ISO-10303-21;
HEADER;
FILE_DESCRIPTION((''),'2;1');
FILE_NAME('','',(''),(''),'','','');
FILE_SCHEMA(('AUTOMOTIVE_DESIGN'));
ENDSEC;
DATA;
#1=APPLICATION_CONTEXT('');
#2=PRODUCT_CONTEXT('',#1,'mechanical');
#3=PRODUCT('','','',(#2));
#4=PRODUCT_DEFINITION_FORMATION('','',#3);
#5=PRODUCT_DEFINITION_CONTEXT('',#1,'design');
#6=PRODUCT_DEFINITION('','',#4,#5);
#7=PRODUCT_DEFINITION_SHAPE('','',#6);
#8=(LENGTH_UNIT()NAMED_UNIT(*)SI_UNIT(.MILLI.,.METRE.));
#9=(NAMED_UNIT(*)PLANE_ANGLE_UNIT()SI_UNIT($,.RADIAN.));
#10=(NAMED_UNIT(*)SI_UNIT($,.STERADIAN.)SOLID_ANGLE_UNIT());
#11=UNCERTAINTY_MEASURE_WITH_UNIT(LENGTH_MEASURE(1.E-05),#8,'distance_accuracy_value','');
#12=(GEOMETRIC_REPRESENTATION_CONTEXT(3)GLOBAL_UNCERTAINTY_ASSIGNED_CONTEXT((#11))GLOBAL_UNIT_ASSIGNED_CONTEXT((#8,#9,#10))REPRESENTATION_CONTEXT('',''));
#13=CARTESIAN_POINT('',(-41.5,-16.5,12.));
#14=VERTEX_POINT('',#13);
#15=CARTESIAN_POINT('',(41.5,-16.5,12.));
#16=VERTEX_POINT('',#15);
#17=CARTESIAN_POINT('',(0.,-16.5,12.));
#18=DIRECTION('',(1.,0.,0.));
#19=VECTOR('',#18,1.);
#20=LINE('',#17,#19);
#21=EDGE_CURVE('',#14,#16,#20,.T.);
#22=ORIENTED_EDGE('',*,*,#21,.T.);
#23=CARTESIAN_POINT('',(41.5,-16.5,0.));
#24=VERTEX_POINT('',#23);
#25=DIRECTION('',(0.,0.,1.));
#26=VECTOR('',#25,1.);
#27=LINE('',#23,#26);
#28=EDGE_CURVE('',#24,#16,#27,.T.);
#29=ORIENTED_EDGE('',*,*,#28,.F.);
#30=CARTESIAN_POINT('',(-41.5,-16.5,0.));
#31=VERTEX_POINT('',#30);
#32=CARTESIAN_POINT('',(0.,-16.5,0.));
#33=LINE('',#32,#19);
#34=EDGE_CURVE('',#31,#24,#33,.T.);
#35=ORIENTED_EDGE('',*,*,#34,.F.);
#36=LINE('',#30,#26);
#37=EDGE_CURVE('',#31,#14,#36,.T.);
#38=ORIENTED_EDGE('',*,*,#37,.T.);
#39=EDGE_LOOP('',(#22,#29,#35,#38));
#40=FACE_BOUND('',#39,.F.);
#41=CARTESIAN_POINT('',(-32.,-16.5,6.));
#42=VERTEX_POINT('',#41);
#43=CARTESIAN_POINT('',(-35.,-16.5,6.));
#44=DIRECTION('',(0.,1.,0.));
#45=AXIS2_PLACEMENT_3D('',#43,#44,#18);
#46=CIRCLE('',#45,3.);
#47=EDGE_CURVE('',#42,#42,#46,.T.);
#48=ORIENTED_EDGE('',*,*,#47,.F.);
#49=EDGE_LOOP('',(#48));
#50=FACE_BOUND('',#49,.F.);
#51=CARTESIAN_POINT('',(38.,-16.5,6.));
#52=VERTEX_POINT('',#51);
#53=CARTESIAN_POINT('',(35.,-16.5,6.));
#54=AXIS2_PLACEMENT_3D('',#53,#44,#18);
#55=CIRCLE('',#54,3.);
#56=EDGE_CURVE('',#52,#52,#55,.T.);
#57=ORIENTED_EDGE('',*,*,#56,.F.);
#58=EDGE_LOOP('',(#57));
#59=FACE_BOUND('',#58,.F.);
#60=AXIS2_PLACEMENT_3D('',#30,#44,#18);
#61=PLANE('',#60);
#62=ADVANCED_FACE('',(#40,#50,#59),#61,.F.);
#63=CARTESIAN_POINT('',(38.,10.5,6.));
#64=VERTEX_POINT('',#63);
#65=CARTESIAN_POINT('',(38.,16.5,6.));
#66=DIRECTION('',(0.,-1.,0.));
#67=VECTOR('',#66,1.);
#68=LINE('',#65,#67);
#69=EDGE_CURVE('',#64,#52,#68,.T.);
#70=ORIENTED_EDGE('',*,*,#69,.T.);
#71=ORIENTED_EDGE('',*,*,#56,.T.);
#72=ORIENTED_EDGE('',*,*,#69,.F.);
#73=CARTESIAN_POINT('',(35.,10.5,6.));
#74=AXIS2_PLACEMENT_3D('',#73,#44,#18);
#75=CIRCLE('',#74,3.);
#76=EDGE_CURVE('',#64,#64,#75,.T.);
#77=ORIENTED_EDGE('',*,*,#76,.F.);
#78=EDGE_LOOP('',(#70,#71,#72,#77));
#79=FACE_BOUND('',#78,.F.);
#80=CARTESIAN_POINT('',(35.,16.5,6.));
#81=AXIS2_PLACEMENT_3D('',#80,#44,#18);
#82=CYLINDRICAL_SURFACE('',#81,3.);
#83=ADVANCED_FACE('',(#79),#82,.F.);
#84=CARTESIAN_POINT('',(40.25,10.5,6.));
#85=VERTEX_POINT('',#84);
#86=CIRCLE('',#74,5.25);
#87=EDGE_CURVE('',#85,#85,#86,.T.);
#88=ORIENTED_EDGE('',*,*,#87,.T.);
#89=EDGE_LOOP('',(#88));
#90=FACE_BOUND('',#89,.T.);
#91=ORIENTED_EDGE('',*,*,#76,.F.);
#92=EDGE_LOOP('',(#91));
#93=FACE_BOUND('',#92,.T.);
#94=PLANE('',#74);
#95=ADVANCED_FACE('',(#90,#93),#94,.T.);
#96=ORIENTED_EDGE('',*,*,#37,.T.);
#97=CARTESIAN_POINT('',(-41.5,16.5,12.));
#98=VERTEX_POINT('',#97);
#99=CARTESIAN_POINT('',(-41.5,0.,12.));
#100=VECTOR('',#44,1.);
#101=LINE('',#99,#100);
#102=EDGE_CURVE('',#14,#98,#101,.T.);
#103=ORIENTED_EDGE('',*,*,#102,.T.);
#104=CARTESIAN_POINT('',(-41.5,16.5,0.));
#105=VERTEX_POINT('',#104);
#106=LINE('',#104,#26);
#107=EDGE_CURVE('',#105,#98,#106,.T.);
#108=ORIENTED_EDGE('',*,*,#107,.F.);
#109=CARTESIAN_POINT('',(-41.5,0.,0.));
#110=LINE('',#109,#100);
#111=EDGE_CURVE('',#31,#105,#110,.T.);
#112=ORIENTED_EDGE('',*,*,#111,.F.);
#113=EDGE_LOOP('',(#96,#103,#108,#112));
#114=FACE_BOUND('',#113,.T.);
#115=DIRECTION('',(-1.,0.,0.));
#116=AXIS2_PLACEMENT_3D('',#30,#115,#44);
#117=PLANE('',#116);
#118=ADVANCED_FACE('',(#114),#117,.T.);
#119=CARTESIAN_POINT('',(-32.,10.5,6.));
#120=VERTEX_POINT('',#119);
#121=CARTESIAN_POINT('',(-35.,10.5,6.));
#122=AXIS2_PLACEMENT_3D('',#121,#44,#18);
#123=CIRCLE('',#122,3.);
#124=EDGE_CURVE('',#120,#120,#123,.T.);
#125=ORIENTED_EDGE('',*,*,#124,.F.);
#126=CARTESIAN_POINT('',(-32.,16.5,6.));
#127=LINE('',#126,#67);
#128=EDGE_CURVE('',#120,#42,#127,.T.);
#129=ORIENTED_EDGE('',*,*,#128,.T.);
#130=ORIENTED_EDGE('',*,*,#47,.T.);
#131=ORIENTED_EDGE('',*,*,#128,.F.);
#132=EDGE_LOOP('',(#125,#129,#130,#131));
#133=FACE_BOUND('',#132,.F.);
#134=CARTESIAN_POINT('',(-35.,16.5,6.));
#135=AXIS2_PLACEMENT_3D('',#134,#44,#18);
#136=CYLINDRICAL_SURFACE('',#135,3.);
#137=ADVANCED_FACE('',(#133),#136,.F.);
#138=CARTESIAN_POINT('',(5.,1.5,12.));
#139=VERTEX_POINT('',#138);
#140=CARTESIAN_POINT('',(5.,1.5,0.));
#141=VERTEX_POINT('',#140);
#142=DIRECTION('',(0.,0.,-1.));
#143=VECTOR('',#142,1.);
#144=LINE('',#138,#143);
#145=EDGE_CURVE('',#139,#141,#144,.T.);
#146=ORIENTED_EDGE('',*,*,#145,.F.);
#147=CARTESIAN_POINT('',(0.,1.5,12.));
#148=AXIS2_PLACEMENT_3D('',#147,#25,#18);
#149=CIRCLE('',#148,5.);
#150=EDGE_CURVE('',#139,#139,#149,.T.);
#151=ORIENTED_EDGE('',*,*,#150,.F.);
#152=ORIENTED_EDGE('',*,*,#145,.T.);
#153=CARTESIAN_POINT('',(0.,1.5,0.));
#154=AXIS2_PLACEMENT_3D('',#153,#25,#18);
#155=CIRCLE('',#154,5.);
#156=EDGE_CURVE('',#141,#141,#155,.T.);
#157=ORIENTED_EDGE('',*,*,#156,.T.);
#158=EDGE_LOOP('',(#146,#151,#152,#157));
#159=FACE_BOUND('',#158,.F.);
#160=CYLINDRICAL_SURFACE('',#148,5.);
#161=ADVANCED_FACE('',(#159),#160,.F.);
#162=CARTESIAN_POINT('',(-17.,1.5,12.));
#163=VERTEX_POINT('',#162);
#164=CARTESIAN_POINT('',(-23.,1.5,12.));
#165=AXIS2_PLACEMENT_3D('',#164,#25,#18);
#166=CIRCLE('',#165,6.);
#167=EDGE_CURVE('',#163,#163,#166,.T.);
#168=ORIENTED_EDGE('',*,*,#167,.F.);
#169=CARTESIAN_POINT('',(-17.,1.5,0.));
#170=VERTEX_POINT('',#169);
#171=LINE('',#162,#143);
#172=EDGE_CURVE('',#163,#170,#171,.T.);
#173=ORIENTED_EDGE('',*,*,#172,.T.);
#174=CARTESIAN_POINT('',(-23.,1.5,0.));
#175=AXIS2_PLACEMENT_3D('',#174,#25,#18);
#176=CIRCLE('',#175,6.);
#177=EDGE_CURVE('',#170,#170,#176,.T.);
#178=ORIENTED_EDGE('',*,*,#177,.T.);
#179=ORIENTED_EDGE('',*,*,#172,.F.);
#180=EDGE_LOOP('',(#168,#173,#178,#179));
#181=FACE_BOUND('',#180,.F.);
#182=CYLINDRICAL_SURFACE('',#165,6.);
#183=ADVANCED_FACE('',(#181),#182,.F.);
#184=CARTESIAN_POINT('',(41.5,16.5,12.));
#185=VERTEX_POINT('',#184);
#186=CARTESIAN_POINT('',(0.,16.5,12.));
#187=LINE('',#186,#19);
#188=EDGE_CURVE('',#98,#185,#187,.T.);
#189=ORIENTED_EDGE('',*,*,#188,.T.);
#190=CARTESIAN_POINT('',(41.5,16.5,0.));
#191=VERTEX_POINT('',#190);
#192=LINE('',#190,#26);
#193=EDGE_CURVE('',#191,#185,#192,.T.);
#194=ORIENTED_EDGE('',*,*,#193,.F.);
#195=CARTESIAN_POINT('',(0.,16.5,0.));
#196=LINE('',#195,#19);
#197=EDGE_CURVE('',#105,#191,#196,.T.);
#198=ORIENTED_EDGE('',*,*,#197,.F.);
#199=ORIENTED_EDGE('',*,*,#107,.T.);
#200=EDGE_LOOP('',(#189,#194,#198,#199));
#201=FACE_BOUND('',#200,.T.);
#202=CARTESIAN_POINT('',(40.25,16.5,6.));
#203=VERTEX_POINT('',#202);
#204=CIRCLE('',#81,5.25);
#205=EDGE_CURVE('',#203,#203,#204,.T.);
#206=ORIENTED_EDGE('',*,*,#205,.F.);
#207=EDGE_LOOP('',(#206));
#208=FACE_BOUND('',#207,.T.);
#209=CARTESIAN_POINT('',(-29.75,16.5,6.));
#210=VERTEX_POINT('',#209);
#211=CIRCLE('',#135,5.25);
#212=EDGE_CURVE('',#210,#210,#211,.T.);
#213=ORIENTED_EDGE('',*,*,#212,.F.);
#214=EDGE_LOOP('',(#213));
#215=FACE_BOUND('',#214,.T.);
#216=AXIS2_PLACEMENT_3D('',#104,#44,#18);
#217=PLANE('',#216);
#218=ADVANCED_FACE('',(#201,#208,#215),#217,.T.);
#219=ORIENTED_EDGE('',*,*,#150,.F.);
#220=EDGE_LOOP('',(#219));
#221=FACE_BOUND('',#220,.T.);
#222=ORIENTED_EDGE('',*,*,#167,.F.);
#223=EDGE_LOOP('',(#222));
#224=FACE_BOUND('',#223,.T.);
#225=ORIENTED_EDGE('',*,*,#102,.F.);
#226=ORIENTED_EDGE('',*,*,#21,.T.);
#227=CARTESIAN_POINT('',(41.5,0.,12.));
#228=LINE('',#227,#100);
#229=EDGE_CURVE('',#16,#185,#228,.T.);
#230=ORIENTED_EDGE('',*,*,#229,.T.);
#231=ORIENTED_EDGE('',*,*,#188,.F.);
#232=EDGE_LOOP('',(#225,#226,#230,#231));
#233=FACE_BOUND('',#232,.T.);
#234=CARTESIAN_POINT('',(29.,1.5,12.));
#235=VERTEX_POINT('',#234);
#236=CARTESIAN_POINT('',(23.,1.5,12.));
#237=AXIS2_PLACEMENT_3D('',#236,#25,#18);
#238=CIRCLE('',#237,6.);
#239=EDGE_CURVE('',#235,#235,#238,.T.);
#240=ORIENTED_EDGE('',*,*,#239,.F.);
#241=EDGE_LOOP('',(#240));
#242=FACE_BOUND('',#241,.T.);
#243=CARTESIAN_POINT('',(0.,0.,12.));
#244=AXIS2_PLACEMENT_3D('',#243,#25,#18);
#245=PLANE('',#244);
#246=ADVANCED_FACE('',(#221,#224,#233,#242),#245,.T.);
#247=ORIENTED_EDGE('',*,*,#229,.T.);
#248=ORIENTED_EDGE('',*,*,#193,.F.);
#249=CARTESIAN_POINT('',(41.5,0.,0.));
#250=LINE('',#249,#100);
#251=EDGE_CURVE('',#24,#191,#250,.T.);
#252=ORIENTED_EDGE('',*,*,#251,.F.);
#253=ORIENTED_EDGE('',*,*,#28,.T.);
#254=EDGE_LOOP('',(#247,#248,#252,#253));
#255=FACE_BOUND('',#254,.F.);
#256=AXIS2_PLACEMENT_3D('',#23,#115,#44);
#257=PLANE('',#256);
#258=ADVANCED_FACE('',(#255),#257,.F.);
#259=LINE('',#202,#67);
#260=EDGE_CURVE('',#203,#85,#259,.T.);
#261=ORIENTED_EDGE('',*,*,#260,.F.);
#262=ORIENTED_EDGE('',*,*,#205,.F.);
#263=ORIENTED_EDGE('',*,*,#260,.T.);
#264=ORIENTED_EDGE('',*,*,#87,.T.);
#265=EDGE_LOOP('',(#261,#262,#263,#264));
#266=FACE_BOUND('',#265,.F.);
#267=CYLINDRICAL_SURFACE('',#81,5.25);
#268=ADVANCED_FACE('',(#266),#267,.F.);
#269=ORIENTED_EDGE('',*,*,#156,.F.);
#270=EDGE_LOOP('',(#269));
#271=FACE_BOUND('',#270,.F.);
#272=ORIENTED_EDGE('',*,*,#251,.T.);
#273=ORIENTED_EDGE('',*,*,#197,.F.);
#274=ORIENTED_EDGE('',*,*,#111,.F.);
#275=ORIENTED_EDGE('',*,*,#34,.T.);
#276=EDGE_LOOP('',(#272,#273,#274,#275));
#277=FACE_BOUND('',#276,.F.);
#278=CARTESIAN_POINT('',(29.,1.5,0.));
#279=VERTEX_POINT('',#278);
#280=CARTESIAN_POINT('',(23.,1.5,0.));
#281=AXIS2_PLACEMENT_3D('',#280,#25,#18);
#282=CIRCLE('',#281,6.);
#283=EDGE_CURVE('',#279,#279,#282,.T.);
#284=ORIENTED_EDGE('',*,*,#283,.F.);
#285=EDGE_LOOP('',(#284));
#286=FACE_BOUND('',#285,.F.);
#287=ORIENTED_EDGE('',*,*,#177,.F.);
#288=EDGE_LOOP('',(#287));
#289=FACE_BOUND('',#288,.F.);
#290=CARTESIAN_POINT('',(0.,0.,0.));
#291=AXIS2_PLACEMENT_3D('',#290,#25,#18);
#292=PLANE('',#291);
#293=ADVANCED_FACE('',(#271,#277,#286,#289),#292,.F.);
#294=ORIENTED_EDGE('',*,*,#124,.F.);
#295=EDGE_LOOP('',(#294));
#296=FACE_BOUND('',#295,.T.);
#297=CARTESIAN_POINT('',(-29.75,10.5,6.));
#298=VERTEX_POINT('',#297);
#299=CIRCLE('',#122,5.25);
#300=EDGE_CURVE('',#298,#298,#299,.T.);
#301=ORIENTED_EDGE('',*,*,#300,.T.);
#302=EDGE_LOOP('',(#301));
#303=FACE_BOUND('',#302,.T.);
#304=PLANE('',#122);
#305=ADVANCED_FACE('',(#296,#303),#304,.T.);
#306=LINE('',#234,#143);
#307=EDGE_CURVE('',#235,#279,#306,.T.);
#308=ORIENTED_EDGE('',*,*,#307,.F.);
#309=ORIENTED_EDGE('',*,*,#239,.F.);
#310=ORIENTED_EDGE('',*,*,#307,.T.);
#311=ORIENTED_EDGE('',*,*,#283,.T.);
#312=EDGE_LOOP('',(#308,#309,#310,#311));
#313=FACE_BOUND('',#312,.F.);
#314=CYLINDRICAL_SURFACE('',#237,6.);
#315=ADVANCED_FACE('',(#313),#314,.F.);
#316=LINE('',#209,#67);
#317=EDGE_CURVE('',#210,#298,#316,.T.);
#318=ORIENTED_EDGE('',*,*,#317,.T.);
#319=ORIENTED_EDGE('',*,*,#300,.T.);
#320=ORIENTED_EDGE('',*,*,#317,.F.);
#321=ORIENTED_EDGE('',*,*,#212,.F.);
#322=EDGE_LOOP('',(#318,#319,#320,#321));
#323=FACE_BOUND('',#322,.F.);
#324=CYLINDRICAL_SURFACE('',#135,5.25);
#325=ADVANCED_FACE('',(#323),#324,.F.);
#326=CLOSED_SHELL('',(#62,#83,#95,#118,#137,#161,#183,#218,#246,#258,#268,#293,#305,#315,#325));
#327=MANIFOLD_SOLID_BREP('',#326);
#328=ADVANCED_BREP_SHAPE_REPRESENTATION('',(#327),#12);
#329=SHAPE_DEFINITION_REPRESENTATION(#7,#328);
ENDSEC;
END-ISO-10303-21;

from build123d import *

# Parameters (mm, degrees)
SKETCH1_W           = 83
SKETCH1_H           = 33
BOSS_EXTRUDE1_DEPTH = 12
SKETCH2_R           = 5
SKETCH2_R_2         = 6
CUT_EXTRUDE1_DEPTH  = 13
SKETCH3_R           = 3
CUT_EXTRUDE2_DEPTH  = 34
SKETCH4_R           = 5.25
CUT_EXTRUDE3_DEPTH  = 6


with BuildPart() as part:
    # Sketch1 → Boss-Extrude1 (new body)
    with BuildSketch(Plane.XY):
        Rectangle(SKETCH1_W, SKETCH1_H)
    extrude(amount=BOSS_EXTRUDE1_DEPTH)

    # Sketch2 → Cut-Extrude1 (cut, through all)
    with BuildSketch(Plane.XY.offset(12)):
        with Locations((0, 1.5)):
            Circle(SKETCH2_R)
        with Locations((-23, 1.5)):
            Circle(SKETCH2_R_2)
        with Locations((23, 1.5)):
            Circle(SKETCH2_R_2)
    extrude(amount=-CUT_EXTRUDE1_DEPTH, mode=Mode.SUBTRACT)

    # Sketch3 → Cut-Extrude2 (cut, through all)
    with BuildSketch(Plane(origin=(0, 16.5, 0), x_dir=(1, 0, 0), z_dir=(0, 1, 0))):
        with Locations((-35, -6)):
            Circle(SKETCH3_R)
        with Locations((35, -6)):
            Circle(SKETCH3_R)
    extrude(amount=-CUT_EXTRUDE2_DEPTH, mode=Mode.SUBTRACT)

    # Sketch4 → Cut-Extrude3 (cut)
    with BuildSketch(Plane(origin=(0, 16.5, 0), x_dir=(1, 0, 0), z_dir=(0, 1, 0))):
        with Locations((-35, -6)):
            Circle(SKETCH4_R)
        with Locations((35, -6)):
            Circle(SKETCH4_R)
    extrude(amount=-CUT_EXTRUDE3_DEPTH, mode=Mode.SUBTRACT)


solid = part.part
